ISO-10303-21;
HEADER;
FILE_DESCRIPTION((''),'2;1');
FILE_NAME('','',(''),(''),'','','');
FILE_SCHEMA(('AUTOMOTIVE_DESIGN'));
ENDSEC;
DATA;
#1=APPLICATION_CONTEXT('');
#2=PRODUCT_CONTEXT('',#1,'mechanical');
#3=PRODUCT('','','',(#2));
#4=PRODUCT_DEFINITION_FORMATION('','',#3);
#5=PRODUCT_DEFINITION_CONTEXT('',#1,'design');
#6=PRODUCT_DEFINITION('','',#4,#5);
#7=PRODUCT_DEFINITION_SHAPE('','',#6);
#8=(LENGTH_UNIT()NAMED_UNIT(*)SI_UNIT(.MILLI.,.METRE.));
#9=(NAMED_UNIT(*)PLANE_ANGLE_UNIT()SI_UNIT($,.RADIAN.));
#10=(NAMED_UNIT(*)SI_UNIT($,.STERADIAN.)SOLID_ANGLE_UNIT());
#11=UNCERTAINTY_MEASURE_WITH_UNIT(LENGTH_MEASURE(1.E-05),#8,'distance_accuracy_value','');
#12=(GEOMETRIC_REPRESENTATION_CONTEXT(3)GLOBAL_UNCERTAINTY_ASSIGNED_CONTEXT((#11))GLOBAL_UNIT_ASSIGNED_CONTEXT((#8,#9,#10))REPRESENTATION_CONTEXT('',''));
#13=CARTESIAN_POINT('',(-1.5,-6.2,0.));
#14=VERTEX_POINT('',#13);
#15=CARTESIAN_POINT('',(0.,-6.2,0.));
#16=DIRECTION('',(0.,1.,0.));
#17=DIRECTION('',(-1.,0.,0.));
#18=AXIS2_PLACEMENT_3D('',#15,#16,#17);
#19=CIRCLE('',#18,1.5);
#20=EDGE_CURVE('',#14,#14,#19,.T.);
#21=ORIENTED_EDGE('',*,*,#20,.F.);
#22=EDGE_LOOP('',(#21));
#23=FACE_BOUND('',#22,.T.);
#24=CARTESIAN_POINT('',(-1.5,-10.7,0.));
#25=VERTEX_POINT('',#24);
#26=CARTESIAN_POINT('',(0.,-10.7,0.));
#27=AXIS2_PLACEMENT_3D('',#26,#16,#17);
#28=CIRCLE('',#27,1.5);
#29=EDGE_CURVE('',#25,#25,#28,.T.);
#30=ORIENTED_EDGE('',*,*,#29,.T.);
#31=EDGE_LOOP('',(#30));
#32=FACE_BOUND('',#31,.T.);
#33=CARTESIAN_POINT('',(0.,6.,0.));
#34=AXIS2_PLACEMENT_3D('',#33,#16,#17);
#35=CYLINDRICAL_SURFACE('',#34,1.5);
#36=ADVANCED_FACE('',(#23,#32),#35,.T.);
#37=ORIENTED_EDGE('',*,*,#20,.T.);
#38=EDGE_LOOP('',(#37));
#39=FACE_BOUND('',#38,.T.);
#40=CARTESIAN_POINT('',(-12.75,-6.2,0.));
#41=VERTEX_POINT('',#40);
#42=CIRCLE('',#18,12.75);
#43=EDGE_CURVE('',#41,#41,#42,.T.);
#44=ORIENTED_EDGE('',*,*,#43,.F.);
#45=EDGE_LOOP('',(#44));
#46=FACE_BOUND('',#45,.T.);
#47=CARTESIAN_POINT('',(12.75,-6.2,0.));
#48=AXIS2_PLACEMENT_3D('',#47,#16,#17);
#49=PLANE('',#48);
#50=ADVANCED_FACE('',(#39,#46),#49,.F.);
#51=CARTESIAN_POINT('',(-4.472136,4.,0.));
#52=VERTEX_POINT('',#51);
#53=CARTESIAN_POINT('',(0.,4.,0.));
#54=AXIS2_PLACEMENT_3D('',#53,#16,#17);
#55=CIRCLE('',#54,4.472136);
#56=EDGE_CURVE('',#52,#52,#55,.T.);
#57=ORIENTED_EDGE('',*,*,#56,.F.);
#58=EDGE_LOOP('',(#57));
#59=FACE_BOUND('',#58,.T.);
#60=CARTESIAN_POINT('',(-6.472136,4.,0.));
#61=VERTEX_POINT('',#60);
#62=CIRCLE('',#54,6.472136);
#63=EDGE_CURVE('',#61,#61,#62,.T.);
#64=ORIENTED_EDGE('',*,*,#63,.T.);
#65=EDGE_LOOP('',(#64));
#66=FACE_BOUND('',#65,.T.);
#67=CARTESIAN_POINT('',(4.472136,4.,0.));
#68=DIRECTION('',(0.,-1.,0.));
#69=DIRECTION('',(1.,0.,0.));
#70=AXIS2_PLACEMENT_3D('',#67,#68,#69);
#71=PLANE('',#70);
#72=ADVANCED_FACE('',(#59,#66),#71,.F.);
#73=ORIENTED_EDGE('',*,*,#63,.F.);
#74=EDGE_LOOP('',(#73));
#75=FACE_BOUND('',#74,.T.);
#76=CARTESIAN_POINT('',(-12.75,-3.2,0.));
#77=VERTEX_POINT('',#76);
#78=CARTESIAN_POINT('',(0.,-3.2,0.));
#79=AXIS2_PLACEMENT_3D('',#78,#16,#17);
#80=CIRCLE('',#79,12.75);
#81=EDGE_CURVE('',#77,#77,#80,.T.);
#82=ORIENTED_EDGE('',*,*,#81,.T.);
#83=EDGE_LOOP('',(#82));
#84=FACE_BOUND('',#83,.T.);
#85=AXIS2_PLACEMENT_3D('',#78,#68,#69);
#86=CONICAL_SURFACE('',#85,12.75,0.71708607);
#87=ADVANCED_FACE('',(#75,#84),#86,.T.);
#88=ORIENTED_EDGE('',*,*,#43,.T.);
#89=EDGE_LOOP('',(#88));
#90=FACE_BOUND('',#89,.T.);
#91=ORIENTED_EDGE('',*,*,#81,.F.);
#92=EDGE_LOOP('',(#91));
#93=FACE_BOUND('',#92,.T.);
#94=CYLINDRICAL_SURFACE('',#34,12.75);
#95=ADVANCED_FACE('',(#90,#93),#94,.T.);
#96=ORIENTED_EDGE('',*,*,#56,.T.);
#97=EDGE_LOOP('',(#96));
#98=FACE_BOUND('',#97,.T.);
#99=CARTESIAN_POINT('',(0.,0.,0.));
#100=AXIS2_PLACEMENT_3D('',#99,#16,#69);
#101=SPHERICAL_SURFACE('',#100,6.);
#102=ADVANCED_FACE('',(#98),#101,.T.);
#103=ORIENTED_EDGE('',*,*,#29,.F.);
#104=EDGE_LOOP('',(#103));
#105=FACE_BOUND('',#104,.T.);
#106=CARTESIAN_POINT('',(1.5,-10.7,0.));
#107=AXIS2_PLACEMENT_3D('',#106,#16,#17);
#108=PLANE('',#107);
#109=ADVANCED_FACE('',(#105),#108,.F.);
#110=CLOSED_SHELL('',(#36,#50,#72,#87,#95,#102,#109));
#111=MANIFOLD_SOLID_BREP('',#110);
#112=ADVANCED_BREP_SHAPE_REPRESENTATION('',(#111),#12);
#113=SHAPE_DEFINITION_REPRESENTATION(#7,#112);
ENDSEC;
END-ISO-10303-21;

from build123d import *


with BuildPart() as part:
    # Esquisse1 → Révolution1 (revolve)
    with BuildSketch(Plane.XY):
        with BuildLine():
            Line((12.75, -3.2), (12.75, -6.2))
            Line((12.75, -6.2), (1.5, -6.2))
            Line((1.5, -6.2), (1.5, -10.7))
            Line((1.5, -10.7), (0, -10.7))
            Line((0, -10.7), (0, 6))
            ThreePointArc((0, 6), (2.449489743, 5.477225575), (4.472135955, 4))
            Line((4.472135955, 4), (6.472135955, 4))
            Line((6.472135955, 4), (12.75, -3.2))
        make_face()
    revolve(axis=Axis((0, 6, 0), (0, -1, 0)))


solid = part.part
